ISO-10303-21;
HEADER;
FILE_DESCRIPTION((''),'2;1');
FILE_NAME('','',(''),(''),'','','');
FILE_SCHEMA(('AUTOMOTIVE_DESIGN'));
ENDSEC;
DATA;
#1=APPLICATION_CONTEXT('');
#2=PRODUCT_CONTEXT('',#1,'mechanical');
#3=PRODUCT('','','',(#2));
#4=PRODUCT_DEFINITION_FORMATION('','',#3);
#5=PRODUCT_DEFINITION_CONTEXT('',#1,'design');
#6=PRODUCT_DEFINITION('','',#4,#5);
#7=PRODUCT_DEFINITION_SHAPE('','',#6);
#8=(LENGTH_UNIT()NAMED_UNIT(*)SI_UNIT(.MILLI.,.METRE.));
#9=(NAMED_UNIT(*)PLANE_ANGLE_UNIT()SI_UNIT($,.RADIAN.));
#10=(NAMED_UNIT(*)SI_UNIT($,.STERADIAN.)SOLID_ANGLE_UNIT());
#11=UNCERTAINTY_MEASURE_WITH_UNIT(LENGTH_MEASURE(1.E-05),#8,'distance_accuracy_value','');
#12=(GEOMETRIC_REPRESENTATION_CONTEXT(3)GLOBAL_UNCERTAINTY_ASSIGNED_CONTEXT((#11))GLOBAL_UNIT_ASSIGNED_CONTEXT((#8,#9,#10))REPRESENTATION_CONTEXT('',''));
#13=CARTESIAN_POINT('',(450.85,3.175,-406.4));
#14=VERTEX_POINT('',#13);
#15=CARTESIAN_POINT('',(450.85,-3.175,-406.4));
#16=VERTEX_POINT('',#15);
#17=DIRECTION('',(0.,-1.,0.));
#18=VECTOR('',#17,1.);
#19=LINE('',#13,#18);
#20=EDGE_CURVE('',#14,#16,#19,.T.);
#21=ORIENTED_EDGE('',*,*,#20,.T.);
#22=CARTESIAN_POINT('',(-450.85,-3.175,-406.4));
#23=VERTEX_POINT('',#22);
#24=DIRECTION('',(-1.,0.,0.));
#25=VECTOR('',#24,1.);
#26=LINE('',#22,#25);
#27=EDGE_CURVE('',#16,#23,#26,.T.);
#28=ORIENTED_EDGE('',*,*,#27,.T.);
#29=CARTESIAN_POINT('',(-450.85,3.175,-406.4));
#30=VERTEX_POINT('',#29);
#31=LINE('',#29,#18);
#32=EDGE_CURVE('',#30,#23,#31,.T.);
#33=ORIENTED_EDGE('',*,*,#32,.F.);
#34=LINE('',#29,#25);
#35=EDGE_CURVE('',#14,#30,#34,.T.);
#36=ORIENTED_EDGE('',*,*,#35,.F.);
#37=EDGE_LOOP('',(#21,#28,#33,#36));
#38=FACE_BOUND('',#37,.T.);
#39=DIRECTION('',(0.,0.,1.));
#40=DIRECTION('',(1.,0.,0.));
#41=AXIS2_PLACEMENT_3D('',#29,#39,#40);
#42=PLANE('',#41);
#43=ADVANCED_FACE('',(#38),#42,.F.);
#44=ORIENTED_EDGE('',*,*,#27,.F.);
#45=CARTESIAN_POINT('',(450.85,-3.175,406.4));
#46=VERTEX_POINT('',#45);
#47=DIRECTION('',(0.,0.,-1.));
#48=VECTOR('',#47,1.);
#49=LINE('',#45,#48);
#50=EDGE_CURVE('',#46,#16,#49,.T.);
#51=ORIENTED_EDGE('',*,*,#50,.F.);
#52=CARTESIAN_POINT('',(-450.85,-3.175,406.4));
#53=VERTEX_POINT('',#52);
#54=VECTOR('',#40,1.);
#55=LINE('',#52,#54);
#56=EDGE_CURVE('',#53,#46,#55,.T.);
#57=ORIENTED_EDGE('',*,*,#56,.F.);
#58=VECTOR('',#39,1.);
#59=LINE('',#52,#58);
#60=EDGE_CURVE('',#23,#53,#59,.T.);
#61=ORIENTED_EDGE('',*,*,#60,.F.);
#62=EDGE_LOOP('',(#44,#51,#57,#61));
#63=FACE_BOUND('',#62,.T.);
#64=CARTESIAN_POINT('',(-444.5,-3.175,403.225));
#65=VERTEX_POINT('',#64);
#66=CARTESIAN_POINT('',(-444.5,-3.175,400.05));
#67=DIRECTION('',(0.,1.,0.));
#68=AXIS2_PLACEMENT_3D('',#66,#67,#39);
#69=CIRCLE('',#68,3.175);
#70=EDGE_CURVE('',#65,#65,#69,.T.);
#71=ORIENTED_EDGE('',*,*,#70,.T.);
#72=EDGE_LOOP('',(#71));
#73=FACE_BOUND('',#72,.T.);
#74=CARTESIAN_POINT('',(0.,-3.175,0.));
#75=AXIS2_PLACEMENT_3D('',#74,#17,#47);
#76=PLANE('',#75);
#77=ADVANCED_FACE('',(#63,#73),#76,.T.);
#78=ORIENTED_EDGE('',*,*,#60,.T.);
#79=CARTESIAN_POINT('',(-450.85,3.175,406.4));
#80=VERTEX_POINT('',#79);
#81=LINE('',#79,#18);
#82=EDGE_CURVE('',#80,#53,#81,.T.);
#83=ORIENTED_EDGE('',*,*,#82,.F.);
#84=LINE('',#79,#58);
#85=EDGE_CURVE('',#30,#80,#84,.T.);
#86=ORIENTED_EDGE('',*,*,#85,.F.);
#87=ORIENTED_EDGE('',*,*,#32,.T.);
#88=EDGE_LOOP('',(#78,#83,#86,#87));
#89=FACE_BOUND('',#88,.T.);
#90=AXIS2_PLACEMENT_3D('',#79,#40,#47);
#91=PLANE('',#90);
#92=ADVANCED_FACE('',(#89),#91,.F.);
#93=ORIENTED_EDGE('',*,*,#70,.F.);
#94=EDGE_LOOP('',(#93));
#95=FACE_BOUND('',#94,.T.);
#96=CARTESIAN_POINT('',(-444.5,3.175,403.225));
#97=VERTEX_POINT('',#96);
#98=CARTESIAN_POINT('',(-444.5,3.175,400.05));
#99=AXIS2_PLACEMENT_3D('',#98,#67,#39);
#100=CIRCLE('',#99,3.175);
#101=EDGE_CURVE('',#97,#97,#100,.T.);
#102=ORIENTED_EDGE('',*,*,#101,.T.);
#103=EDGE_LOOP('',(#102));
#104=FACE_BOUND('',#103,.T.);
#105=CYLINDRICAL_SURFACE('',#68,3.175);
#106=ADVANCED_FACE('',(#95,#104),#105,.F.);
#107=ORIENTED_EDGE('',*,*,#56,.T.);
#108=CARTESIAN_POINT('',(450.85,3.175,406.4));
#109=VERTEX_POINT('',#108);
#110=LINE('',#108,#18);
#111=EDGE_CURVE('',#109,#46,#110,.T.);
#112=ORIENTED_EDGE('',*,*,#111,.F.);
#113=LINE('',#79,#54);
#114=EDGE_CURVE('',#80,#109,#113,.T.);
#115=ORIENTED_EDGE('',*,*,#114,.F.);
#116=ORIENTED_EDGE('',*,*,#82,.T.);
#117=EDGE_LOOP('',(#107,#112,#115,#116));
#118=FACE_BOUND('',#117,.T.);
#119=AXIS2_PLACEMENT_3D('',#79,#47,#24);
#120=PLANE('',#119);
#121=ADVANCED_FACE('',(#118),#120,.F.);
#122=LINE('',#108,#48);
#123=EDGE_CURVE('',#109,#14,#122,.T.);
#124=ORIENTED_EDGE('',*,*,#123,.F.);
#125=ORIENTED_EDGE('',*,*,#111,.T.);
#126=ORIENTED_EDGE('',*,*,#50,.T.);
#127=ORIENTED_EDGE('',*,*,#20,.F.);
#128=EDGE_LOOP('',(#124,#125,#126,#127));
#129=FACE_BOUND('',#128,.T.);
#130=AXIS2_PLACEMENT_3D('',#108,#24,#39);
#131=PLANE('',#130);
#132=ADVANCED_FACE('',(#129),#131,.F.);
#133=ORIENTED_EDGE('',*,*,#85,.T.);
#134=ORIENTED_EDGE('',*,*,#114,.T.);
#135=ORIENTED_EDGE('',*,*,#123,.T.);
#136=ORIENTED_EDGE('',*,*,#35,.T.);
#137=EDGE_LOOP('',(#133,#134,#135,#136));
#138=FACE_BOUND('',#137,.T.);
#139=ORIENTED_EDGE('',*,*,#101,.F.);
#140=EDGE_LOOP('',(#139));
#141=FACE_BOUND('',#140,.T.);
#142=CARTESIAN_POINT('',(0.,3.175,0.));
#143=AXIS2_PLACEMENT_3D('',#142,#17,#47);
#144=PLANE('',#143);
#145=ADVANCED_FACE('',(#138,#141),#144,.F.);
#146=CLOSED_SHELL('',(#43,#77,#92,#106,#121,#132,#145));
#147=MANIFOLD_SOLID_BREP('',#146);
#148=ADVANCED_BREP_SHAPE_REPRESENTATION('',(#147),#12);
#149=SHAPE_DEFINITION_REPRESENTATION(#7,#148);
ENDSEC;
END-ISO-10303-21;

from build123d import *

# Parameters (mm, degrees)
SKETCH1_W           = 901.7
SKETCH1_H           = 812.8
BOSS_EXTRUDE1_DEPTH = 3.175
SKETCH2_R           = 3.175
CUT_EXTRUDE1_DEPTH  = 608.014830956


with BuildPart() as part:
    # Sketch1 → Boss-Extrude1 (new, symmetric)
    with BuildSketch(Plane(origin=(0, 0, 0), x_dir=(1, 0, 0), z_dir=(0, 1, 0))):
        Rectangle(SKETCH1_W, SKETCH1_H)
    extrude(amount=BOSS_EXTRUDE1_DEPTH, both=True)

    # Sketch2 → Cut-Extrude1 (cut, through all)
    with BuildSketch(Plane(origin=(0, 3.175, 0), x_dir=(1, 0, 0), z_dir=(0, 1, 0))):
        with Locations(Location((-444.5, -400.05, 0), (0, 0, 270))):
            Circle(SKETCH2_R)
    extrude(amount=-CUT_EXTRUDE1_DEPTH, mode=Mode.SUBTRACT)


solid = part.part
